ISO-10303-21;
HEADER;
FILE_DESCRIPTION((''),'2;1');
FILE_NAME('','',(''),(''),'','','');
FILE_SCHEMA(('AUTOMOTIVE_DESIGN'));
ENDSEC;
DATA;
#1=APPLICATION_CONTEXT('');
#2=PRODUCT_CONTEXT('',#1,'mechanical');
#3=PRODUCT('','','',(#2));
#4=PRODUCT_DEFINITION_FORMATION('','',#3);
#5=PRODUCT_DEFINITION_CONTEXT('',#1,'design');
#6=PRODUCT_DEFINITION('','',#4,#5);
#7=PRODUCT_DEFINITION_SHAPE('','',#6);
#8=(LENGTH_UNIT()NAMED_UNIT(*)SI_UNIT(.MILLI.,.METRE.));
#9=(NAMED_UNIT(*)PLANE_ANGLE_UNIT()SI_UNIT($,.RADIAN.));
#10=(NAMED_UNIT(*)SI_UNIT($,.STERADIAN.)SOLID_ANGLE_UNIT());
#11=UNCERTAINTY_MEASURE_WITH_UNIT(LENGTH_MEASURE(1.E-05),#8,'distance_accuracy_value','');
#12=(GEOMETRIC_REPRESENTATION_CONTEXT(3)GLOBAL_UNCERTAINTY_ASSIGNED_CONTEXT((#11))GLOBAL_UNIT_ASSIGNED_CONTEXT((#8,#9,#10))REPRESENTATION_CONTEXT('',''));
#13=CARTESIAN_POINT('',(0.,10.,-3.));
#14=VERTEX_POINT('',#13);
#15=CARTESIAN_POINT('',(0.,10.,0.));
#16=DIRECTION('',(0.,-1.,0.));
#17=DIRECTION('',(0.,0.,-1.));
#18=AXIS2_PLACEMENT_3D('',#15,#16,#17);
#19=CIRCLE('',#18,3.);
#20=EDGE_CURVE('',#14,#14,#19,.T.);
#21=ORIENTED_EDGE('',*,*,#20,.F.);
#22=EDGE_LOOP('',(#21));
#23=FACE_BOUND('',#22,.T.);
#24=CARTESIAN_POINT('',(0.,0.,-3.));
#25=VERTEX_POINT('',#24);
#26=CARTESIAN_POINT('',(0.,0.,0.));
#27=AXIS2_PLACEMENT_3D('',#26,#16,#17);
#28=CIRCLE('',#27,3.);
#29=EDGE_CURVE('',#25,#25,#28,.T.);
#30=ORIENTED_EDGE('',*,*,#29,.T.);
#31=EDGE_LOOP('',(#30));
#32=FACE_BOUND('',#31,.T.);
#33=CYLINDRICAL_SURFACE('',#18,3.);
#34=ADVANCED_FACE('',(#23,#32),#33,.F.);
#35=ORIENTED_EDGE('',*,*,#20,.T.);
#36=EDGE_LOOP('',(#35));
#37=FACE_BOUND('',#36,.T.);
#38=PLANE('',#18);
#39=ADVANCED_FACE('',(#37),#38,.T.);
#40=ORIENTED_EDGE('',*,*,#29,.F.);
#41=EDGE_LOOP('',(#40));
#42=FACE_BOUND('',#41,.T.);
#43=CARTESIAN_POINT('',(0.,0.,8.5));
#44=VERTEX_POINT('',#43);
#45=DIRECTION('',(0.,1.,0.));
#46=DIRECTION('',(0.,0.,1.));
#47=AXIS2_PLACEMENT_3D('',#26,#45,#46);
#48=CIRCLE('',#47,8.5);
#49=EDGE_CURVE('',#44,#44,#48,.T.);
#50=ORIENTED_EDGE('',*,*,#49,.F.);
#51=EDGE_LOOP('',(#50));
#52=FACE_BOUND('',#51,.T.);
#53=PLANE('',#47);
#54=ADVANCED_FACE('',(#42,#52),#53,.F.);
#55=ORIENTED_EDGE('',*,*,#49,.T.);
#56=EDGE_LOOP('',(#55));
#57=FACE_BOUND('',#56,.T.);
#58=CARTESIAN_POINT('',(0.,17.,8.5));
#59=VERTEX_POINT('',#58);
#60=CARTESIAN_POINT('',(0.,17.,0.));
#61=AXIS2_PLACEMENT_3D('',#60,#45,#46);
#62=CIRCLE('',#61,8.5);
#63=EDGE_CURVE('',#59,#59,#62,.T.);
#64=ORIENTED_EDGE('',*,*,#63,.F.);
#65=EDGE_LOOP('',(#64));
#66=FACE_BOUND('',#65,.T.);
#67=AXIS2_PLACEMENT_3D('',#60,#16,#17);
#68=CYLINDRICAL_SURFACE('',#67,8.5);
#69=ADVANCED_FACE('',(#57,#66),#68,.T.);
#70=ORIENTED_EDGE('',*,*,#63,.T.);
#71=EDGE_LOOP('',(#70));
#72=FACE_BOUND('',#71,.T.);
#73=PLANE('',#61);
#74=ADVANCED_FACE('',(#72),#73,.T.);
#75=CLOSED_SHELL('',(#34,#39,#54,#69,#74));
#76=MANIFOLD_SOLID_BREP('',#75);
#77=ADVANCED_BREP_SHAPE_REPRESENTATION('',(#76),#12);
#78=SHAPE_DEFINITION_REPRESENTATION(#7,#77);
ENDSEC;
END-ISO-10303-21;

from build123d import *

# Parameters (mm, degrees)
SKETCH1_R           = 8.5
BOSS_EXTRUDE1_DEPTH = 17
SKETCH2_R           = 3
CUT_EXTRUDE1_DEPTH  = 10


with BuildPart() as part:
    # Sketch1 → Boss-Extrude1 (new body)
    with BuildSketch(Plane(origin=(0, 0, 0), x_dir=(1, 0, 0), z_dir=(0, 1, 0))):
        with Locations(Location((0, 0, 0), (0, 0, 270))):
            Circle(SKETCH1_R)
    extrude(amount=BOSS_EXTRUDE1_DEPTH)

    # Sketch2 → Cut-Extrude1 (cut)
    with BuildSketch(Plane.XZ):
        with Locations(Location((0, 0, 0), (0, 0, 270))):
            Circle(SKETCH2_R)
    extrude(amount=-CUT_EXTRUDE1_DEPTH, mode=Mode.SUBTRACT)


solid = part.part
